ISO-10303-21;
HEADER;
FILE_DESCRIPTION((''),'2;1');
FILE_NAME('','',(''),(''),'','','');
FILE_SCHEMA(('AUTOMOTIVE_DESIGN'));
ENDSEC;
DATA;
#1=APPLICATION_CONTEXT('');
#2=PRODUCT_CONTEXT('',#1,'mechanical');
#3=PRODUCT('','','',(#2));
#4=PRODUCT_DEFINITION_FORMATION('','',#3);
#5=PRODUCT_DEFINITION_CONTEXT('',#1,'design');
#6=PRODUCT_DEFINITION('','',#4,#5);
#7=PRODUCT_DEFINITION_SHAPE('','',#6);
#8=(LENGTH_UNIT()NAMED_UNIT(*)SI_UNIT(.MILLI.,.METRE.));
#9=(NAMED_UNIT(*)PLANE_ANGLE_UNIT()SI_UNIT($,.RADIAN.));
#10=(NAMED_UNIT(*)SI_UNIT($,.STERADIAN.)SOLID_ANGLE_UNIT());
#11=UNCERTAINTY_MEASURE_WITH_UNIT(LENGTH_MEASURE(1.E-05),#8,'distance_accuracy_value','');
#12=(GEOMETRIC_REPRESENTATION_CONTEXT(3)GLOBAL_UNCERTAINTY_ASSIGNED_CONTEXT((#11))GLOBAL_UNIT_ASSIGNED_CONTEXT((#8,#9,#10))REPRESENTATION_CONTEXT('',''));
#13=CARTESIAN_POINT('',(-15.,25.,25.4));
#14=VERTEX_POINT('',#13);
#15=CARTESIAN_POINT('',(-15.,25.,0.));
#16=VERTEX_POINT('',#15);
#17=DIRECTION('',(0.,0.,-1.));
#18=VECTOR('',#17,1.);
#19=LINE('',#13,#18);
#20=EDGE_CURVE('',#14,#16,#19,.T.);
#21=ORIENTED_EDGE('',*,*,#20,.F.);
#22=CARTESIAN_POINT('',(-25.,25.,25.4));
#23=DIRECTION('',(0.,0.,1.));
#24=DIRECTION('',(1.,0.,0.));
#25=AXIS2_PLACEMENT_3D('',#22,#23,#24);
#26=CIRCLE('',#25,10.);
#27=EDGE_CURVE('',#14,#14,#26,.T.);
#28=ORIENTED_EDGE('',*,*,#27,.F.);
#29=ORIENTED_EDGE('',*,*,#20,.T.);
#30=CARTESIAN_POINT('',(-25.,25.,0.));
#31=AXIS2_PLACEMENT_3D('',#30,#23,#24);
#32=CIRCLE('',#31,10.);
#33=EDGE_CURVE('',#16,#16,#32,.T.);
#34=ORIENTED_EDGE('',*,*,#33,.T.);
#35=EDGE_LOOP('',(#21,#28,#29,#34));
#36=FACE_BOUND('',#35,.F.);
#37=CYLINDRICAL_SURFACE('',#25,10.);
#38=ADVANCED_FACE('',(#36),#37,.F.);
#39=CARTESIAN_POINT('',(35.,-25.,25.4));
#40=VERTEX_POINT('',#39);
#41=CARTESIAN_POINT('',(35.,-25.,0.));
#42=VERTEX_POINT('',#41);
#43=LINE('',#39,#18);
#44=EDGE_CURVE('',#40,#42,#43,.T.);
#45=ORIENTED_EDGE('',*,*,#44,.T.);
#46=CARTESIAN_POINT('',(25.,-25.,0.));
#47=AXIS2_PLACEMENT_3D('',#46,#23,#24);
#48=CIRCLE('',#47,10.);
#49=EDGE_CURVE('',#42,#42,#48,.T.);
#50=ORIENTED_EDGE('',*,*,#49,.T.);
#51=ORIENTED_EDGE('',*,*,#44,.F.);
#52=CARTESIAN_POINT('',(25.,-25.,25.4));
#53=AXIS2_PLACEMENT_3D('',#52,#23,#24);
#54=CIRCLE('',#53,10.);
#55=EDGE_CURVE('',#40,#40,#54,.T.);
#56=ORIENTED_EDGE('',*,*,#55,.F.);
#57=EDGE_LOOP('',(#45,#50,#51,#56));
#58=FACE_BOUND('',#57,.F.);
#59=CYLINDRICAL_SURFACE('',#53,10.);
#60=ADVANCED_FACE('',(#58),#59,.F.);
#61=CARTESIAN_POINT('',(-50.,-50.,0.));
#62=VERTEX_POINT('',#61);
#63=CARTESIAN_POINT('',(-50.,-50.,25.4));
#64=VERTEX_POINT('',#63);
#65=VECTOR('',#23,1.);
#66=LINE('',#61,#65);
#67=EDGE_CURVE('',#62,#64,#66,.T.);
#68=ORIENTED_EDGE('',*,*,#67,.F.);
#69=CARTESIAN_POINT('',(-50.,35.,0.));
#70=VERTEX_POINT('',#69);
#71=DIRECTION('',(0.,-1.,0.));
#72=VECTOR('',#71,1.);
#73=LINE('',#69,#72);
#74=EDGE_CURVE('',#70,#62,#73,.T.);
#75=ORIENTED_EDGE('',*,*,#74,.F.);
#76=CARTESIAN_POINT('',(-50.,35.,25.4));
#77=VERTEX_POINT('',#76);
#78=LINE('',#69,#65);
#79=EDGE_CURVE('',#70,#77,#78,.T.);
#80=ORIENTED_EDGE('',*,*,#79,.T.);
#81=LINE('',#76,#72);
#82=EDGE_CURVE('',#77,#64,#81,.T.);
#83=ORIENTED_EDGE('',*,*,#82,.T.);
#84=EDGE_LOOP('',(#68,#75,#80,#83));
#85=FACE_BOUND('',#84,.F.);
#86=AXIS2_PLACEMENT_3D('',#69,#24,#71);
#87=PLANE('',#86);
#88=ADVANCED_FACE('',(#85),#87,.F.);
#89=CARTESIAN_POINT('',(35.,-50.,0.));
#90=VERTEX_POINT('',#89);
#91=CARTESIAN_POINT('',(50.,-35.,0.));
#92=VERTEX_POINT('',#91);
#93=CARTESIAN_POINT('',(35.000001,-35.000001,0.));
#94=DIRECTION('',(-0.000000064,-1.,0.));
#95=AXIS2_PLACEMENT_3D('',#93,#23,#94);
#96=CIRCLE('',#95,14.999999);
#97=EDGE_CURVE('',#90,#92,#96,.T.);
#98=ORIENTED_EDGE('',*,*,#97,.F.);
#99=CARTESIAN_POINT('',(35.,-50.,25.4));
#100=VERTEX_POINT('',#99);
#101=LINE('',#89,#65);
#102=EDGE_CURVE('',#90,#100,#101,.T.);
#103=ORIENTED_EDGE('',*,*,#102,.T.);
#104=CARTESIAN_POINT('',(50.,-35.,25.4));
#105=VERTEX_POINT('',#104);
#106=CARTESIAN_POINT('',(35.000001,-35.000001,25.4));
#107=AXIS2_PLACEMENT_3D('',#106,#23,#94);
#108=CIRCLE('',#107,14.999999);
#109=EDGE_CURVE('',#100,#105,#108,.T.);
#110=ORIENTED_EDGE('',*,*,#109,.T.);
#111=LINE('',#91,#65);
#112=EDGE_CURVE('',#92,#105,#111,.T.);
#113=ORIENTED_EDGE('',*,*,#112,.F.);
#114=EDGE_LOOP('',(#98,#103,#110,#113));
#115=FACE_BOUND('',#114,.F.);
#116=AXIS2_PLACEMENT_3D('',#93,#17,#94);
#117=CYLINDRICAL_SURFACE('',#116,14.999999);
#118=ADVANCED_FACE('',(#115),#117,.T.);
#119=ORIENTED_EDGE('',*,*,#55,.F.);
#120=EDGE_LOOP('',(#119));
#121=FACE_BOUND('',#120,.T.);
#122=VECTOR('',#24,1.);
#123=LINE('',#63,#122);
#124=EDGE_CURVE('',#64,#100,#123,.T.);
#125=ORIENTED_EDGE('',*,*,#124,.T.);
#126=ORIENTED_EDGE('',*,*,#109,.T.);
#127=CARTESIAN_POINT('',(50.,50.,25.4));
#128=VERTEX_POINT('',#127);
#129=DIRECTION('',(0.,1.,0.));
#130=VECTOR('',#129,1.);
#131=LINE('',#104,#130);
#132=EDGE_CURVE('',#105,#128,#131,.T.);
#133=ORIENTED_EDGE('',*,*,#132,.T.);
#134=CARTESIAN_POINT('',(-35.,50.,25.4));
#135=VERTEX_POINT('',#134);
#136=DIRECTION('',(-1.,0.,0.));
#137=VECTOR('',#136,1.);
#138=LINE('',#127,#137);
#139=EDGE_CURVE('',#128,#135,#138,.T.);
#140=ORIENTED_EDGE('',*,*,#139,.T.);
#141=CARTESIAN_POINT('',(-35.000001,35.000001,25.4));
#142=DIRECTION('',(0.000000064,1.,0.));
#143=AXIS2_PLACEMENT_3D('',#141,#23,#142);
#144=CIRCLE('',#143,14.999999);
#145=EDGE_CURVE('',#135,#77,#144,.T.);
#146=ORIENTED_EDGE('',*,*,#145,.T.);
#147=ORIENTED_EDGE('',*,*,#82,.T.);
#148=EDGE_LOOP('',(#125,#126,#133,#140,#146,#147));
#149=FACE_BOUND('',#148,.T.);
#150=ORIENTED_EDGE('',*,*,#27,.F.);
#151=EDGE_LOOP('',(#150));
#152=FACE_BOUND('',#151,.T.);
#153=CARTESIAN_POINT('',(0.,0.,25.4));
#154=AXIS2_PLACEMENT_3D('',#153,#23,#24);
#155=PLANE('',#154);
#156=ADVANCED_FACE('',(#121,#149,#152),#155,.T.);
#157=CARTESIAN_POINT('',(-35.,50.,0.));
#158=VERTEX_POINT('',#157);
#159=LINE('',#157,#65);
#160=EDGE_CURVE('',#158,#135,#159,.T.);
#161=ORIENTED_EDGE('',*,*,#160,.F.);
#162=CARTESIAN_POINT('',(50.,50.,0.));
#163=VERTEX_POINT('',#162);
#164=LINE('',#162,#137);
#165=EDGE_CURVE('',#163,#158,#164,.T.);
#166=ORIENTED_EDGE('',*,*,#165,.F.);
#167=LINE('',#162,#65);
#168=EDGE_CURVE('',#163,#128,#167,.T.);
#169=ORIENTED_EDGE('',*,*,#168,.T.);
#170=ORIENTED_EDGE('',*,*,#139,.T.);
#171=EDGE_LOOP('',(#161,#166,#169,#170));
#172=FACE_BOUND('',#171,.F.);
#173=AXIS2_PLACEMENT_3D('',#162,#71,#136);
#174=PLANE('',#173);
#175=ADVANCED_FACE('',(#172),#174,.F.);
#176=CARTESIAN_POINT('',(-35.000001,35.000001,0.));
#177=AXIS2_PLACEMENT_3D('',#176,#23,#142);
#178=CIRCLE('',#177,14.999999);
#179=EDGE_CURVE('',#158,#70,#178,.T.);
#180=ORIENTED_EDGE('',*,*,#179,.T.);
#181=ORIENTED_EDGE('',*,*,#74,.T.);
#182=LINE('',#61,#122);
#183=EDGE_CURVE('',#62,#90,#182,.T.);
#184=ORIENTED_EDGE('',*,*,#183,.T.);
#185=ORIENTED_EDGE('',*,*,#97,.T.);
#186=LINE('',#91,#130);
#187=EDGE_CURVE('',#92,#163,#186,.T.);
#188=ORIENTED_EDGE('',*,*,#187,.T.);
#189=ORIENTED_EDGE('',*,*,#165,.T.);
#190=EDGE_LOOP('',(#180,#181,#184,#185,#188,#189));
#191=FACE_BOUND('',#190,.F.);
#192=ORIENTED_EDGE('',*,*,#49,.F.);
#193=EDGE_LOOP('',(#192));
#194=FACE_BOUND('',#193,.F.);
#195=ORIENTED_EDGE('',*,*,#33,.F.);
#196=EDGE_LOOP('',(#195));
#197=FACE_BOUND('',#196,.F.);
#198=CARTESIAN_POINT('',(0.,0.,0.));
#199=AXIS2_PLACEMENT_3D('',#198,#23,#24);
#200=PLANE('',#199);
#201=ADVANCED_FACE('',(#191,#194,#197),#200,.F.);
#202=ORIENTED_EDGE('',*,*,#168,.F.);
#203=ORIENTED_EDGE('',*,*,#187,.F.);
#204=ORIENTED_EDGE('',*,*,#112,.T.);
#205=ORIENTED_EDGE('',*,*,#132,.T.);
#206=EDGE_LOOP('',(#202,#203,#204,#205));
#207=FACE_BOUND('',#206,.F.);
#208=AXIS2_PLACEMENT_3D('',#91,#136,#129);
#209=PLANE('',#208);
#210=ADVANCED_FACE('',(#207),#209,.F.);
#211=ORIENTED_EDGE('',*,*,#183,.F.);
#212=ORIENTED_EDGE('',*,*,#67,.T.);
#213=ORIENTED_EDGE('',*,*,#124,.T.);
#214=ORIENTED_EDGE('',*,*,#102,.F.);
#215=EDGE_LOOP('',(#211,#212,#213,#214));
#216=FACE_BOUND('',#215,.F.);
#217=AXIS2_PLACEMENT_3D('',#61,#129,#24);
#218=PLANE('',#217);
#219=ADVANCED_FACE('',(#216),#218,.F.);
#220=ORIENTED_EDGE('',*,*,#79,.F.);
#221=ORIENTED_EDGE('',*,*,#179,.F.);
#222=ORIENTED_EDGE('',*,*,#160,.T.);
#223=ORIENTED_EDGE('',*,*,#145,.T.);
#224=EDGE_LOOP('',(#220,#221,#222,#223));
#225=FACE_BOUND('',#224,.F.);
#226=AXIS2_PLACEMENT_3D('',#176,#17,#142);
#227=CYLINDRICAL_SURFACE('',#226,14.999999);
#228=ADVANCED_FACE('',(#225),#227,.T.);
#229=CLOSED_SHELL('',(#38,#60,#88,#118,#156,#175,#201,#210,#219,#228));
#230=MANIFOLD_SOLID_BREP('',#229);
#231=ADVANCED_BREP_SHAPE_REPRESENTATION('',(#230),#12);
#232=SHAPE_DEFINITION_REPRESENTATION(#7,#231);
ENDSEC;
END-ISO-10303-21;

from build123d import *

# Parameters (mm, degrees)
F1_DEPTH = 25.4
F2_R     = 10
F3_DEPTH = 25.4


with BuildPart() as f1:
    # F0 (on Top) → F1 (new body)
    with BuildSketch(Plane.XY):
        with BuildLine():
            Line((50, 50), (-35, 50))
            ThreePointArc((-35, 50), (-45.606602, 45.606602), (-50, 35))
            Line((-50, 35), (-50, -50))
            Line((-50, -50), (35, -50))
            ThreePointArc((35, -50), (45.606602, -45.606602), (50, -35))
            Line((50, -35), (50, 50))
        make_face()
    extrude(amount=F1_DEPTH)

    # F2 (on face) → F3 (cut, through all)
    with BuildSketch(Plane.XY.offset(25.4)):
        with Locations((-25, 25)):
            Circle(F2_R)
        with Locations((25, -25)):
            Circle(F2_R)
    extrude(amount=-F3_DEPTH, mode=Mode.SUBTRACT)


solid = f1.part
